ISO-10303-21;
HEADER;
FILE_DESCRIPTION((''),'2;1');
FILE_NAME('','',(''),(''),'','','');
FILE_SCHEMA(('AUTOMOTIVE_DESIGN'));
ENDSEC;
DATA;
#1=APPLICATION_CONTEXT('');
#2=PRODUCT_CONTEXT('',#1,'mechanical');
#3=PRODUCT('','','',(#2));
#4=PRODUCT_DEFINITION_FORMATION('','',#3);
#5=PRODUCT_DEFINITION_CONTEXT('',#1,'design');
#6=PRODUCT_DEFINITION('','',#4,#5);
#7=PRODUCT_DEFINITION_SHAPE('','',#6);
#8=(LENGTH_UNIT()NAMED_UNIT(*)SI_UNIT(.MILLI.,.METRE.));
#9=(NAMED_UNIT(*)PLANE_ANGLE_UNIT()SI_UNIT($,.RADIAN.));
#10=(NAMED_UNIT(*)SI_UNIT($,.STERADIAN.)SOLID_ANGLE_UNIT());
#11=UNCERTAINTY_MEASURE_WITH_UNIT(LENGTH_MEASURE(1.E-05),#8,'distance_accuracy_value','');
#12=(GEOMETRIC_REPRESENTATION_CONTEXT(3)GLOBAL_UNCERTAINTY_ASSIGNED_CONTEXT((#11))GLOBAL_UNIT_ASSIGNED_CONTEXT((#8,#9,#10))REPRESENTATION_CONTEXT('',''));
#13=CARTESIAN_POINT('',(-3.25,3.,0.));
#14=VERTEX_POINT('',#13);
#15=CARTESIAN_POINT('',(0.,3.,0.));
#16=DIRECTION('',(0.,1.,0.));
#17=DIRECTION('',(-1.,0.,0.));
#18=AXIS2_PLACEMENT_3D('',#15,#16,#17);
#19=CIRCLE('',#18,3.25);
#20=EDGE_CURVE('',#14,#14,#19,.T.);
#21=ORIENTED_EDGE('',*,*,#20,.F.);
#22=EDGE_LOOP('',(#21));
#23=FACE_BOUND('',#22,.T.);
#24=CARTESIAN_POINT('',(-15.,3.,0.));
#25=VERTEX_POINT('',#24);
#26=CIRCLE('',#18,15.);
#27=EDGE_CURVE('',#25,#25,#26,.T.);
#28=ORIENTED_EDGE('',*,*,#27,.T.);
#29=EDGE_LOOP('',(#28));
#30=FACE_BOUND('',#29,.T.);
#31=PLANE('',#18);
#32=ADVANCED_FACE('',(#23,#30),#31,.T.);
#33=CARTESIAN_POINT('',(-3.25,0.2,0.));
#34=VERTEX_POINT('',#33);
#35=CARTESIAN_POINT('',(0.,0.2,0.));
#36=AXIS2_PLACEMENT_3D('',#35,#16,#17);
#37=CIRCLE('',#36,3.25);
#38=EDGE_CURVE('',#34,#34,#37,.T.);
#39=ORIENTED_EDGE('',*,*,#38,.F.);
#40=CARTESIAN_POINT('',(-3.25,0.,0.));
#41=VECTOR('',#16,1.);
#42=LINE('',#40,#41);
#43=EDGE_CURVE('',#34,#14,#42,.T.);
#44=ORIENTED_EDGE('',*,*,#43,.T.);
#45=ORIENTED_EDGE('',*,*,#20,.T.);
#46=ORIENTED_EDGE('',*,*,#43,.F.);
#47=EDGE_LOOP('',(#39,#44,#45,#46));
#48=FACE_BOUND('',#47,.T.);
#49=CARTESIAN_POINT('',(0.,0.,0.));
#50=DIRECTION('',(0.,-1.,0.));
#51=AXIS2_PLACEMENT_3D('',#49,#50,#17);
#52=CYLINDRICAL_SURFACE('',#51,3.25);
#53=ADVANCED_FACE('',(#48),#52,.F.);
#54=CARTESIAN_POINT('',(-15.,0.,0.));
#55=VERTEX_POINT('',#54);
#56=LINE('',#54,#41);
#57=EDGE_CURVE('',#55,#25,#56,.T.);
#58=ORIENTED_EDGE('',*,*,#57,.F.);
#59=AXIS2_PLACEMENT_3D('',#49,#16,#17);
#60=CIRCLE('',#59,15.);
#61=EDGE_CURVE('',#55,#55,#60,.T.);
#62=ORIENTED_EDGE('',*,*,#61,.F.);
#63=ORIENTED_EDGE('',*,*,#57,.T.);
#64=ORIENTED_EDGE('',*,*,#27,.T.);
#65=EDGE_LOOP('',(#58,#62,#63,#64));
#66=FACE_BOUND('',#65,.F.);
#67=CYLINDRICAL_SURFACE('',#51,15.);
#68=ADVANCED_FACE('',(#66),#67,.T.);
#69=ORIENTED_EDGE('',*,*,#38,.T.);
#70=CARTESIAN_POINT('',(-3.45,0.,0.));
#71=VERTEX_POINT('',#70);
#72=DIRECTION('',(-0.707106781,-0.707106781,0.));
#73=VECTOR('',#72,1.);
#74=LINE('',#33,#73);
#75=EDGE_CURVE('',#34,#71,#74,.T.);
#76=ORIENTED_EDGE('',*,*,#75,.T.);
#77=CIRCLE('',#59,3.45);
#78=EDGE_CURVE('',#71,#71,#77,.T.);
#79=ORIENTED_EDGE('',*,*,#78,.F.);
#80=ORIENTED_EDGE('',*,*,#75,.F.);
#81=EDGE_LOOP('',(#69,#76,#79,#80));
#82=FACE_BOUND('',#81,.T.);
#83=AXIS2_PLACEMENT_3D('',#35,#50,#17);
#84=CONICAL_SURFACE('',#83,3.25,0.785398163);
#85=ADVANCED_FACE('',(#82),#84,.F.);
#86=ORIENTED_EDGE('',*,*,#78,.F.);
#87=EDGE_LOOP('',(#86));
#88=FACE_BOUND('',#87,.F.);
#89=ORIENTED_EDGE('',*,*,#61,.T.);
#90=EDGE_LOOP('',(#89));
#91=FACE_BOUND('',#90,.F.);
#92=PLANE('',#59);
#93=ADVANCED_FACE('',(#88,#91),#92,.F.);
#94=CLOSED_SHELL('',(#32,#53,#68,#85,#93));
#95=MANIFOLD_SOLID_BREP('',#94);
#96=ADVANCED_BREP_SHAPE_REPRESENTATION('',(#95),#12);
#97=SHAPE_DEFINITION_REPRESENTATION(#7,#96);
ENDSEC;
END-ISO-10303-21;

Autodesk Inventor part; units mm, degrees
ref_plane "YZ Plane" through (0, 0, 0) normal (1, 0, 0) x (0, 1, 0)
ref_plane "XZ Plane" through (0, 0, 0) normal (0, 1, 0) x (-1, 0, 0)
ref_plane "XY Plane" through (0, 0, 0) normal (0, 0, 1) x (1, 0, 0)
sketch "Sketch1" plane through (0, 0, 0) normal (0, 1, 0) x (-1, 0, 0)
  circle A0 centre (0, 0) radius 15
  circle A1 centre (0, 0) radius 3.25
  dimension "d0" = 30
  dimension "d1" = 6.5
extrude "Extrusion1" add sketch "Sketch1" along normal blind 3
chamfer "Chamfer1" distance 0.2 angle 45 1 edges at (3.25, 0, 0)
properties part number "KN-00-02-14" material "X5CrNi18-10"
